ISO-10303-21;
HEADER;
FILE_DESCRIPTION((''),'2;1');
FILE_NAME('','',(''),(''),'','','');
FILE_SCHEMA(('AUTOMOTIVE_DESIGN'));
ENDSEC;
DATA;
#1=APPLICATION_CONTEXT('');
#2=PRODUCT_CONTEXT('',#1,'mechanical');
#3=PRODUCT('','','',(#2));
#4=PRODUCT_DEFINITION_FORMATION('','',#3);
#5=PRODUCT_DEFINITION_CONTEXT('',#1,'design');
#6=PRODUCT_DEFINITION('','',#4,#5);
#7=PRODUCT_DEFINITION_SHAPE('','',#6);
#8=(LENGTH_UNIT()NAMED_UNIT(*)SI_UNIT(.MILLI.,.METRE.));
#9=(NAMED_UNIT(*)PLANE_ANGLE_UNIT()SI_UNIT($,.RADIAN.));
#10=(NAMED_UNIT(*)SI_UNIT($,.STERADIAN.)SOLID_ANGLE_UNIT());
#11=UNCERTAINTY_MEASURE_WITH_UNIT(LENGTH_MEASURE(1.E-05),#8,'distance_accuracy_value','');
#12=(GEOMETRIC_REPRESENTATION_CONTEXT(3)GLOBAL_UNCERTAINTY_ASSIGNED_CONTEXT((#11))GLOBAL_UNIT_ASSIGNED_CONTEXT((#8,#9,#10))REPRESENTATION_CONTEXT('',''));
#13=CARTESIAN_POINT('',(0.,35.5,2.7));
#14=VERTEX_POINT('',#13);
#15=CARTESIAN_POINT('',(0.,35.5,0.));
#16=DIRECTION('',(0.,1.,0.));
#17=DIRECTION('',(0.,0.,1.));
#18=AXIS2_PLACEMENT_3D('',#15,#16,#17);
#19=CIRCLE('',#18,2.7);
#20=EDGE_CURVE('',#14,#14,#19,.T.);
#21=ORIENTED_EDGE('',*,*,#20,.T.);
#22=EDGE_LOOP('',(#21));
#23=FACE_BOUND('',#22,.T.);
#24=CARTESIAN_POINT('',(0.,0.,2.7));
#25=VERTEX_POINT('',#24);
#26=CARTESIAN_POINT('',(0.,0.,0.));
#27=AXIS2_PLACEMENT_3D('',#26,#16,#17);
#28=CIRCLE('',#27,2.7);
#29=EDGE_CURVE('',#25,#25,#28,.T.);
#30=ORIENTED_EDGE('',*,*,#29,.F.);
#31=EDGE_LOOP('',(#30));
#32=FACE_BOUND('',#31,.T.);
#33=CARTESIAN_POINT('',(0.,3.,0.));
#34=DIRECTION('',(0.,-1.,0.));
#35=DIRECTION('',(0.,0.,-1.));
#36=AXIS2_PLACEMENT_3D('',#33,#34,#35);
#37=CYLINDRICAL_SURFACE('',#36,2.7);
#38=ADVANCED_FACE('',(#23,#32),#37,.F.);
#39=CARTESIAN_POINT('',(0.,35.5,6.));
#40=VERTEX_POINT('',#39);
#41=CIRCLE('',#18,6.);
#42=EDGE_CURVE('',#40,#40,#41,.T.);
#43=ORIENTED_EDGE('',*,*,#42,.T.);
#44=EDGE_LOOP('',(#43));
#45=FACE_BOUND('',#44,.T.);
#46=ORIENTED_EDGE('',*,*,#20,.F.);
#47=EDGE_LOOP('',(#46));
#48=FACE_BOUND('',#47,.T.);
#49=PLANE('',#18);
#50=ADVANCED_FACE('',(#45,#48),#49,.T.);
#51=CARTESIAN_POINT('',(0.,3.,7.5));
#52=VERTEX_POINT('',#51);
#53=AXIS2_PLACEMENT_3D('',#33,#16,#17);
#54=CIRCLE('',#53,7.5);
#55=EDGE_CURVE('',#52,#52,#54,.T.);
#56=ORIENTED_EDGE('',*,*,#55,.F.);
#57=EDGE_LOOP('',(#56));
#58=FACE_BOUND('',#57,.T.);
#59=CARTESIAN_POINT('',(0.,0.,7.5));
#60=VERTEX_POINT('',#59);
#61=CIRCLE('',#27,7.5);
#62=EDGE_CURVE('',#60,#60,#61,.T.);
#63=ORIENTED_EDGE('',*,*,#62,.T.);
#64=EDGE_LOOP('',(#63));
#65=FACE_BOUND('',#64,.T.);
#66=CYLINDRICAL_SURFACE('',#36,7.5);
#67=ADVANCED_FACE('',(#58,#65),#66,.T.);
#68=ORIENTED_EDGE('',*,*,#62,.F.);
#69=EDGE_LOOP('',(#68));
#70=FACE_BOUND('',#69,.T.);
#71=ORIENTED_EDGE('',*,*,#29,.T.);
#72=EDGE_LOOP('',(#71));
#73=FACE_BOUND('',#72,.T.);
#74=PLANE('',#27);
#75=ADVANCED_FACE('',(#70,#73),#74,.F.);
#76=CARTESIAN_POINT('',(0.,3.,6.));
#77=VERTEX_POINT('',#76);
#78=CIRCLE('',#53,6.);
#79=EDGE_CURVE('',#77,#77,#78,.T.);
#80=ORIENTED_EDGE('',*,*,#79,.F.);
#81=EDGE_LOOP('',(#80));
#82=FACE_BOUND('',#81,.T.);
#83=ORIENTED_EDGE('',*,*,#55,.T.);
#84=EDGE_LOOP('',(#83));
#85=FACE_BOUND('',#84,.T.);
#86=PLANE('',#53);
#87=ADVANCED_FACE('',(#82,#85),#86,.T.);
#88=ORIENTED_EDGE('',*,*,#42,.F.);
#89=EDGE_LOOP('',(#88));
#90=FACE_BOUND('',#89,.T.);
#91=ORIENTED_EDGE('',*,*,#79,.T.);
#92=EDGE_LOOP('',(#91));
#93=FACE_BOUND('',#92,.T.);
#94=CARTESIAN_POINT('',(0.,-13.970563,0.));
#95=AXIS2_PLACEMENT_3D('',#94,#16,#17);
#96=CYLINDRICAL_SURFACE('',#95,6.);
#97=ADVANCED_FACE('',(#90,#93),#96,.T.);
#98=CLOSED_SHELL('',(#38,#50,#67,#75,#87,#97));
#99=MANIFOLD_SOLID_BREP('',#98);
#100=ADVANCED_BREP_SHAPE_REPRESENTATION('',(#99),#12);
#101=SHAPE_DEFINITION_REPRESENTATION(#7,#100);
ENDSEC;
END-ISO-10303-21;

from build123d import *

# Parameters (mm, degrees)
SKETCH_1_R      = 7.5
SKETCH_1_R_2    = 2.7
EXTRUDE_1_DEPTH = 3
SKETCH_3_R      = 4
SKETCH_3_R_2    = 2.7
EXTRUDE_3_DEPTH = 32.5
EXTRUDE_START   = -32.5
SKETCH_4_R      = 6
SKETCH_4_R_2    = 2.7
EXTRUDE_4_DEPTH = 32.5


with BuildPart() as part:
    # 草圖1 → 填料-伸長1 (new body)
    with BuildSketch(Plane(origin=(0, 0, 0), x_dir=(1, 0, 0), z_dir=(0, 1, 0))):
        with Locations(Location((0, 0, 0), (0, 0, 270))):
            Circle(SKETCH_1_R)
        with Locations(Location((0, 0, 0), (0, 0, 270))):
            Circle(SKETCH_1_R_2, mode=Mode.SUBTRACT)
    extrude(amount=EXTRUDE_1_DEPTH)

    # 草圖3 → 填料-伸長3 (add)
    with BuildSketch(Plane(origin=(0, 3, 0), x_dir=(1, 0, 0), z_dir=(0, 1, 0))):
        with Locations(Location((0, 0, 0), (0, 0, 270))):
            Circle(SKETCH_3_R)
        with Locations(Location((0, 0, 0), (0, 0, 270))):
            Circle(SKETCH_3_R_2, mode=Mode.SUBTRACT)
    extrude(amount=EXTRUDE_3_DEPTH)

    # 草圖4 → 填料-伸長4 (add)
    with BuildSketch(Plane(origin=(0, 35.5, 0), x_dir=(1, 0, 0), z_dir=(0, 1, 0)).offset(EXTRUDE_START)):
        with Locations(Location((0, 0, 0), (0, 0, 270))):
            Circle(SKETCH_4_R)
        with Locations(Location((0, 0, 0), (0, 0, 270))):
            Circle(SKETCH_4_R_2, mode=Mode.SUBTRACT)
    extrude(amount=EXTRUDE_4_DEPTH)


solid = part.part
